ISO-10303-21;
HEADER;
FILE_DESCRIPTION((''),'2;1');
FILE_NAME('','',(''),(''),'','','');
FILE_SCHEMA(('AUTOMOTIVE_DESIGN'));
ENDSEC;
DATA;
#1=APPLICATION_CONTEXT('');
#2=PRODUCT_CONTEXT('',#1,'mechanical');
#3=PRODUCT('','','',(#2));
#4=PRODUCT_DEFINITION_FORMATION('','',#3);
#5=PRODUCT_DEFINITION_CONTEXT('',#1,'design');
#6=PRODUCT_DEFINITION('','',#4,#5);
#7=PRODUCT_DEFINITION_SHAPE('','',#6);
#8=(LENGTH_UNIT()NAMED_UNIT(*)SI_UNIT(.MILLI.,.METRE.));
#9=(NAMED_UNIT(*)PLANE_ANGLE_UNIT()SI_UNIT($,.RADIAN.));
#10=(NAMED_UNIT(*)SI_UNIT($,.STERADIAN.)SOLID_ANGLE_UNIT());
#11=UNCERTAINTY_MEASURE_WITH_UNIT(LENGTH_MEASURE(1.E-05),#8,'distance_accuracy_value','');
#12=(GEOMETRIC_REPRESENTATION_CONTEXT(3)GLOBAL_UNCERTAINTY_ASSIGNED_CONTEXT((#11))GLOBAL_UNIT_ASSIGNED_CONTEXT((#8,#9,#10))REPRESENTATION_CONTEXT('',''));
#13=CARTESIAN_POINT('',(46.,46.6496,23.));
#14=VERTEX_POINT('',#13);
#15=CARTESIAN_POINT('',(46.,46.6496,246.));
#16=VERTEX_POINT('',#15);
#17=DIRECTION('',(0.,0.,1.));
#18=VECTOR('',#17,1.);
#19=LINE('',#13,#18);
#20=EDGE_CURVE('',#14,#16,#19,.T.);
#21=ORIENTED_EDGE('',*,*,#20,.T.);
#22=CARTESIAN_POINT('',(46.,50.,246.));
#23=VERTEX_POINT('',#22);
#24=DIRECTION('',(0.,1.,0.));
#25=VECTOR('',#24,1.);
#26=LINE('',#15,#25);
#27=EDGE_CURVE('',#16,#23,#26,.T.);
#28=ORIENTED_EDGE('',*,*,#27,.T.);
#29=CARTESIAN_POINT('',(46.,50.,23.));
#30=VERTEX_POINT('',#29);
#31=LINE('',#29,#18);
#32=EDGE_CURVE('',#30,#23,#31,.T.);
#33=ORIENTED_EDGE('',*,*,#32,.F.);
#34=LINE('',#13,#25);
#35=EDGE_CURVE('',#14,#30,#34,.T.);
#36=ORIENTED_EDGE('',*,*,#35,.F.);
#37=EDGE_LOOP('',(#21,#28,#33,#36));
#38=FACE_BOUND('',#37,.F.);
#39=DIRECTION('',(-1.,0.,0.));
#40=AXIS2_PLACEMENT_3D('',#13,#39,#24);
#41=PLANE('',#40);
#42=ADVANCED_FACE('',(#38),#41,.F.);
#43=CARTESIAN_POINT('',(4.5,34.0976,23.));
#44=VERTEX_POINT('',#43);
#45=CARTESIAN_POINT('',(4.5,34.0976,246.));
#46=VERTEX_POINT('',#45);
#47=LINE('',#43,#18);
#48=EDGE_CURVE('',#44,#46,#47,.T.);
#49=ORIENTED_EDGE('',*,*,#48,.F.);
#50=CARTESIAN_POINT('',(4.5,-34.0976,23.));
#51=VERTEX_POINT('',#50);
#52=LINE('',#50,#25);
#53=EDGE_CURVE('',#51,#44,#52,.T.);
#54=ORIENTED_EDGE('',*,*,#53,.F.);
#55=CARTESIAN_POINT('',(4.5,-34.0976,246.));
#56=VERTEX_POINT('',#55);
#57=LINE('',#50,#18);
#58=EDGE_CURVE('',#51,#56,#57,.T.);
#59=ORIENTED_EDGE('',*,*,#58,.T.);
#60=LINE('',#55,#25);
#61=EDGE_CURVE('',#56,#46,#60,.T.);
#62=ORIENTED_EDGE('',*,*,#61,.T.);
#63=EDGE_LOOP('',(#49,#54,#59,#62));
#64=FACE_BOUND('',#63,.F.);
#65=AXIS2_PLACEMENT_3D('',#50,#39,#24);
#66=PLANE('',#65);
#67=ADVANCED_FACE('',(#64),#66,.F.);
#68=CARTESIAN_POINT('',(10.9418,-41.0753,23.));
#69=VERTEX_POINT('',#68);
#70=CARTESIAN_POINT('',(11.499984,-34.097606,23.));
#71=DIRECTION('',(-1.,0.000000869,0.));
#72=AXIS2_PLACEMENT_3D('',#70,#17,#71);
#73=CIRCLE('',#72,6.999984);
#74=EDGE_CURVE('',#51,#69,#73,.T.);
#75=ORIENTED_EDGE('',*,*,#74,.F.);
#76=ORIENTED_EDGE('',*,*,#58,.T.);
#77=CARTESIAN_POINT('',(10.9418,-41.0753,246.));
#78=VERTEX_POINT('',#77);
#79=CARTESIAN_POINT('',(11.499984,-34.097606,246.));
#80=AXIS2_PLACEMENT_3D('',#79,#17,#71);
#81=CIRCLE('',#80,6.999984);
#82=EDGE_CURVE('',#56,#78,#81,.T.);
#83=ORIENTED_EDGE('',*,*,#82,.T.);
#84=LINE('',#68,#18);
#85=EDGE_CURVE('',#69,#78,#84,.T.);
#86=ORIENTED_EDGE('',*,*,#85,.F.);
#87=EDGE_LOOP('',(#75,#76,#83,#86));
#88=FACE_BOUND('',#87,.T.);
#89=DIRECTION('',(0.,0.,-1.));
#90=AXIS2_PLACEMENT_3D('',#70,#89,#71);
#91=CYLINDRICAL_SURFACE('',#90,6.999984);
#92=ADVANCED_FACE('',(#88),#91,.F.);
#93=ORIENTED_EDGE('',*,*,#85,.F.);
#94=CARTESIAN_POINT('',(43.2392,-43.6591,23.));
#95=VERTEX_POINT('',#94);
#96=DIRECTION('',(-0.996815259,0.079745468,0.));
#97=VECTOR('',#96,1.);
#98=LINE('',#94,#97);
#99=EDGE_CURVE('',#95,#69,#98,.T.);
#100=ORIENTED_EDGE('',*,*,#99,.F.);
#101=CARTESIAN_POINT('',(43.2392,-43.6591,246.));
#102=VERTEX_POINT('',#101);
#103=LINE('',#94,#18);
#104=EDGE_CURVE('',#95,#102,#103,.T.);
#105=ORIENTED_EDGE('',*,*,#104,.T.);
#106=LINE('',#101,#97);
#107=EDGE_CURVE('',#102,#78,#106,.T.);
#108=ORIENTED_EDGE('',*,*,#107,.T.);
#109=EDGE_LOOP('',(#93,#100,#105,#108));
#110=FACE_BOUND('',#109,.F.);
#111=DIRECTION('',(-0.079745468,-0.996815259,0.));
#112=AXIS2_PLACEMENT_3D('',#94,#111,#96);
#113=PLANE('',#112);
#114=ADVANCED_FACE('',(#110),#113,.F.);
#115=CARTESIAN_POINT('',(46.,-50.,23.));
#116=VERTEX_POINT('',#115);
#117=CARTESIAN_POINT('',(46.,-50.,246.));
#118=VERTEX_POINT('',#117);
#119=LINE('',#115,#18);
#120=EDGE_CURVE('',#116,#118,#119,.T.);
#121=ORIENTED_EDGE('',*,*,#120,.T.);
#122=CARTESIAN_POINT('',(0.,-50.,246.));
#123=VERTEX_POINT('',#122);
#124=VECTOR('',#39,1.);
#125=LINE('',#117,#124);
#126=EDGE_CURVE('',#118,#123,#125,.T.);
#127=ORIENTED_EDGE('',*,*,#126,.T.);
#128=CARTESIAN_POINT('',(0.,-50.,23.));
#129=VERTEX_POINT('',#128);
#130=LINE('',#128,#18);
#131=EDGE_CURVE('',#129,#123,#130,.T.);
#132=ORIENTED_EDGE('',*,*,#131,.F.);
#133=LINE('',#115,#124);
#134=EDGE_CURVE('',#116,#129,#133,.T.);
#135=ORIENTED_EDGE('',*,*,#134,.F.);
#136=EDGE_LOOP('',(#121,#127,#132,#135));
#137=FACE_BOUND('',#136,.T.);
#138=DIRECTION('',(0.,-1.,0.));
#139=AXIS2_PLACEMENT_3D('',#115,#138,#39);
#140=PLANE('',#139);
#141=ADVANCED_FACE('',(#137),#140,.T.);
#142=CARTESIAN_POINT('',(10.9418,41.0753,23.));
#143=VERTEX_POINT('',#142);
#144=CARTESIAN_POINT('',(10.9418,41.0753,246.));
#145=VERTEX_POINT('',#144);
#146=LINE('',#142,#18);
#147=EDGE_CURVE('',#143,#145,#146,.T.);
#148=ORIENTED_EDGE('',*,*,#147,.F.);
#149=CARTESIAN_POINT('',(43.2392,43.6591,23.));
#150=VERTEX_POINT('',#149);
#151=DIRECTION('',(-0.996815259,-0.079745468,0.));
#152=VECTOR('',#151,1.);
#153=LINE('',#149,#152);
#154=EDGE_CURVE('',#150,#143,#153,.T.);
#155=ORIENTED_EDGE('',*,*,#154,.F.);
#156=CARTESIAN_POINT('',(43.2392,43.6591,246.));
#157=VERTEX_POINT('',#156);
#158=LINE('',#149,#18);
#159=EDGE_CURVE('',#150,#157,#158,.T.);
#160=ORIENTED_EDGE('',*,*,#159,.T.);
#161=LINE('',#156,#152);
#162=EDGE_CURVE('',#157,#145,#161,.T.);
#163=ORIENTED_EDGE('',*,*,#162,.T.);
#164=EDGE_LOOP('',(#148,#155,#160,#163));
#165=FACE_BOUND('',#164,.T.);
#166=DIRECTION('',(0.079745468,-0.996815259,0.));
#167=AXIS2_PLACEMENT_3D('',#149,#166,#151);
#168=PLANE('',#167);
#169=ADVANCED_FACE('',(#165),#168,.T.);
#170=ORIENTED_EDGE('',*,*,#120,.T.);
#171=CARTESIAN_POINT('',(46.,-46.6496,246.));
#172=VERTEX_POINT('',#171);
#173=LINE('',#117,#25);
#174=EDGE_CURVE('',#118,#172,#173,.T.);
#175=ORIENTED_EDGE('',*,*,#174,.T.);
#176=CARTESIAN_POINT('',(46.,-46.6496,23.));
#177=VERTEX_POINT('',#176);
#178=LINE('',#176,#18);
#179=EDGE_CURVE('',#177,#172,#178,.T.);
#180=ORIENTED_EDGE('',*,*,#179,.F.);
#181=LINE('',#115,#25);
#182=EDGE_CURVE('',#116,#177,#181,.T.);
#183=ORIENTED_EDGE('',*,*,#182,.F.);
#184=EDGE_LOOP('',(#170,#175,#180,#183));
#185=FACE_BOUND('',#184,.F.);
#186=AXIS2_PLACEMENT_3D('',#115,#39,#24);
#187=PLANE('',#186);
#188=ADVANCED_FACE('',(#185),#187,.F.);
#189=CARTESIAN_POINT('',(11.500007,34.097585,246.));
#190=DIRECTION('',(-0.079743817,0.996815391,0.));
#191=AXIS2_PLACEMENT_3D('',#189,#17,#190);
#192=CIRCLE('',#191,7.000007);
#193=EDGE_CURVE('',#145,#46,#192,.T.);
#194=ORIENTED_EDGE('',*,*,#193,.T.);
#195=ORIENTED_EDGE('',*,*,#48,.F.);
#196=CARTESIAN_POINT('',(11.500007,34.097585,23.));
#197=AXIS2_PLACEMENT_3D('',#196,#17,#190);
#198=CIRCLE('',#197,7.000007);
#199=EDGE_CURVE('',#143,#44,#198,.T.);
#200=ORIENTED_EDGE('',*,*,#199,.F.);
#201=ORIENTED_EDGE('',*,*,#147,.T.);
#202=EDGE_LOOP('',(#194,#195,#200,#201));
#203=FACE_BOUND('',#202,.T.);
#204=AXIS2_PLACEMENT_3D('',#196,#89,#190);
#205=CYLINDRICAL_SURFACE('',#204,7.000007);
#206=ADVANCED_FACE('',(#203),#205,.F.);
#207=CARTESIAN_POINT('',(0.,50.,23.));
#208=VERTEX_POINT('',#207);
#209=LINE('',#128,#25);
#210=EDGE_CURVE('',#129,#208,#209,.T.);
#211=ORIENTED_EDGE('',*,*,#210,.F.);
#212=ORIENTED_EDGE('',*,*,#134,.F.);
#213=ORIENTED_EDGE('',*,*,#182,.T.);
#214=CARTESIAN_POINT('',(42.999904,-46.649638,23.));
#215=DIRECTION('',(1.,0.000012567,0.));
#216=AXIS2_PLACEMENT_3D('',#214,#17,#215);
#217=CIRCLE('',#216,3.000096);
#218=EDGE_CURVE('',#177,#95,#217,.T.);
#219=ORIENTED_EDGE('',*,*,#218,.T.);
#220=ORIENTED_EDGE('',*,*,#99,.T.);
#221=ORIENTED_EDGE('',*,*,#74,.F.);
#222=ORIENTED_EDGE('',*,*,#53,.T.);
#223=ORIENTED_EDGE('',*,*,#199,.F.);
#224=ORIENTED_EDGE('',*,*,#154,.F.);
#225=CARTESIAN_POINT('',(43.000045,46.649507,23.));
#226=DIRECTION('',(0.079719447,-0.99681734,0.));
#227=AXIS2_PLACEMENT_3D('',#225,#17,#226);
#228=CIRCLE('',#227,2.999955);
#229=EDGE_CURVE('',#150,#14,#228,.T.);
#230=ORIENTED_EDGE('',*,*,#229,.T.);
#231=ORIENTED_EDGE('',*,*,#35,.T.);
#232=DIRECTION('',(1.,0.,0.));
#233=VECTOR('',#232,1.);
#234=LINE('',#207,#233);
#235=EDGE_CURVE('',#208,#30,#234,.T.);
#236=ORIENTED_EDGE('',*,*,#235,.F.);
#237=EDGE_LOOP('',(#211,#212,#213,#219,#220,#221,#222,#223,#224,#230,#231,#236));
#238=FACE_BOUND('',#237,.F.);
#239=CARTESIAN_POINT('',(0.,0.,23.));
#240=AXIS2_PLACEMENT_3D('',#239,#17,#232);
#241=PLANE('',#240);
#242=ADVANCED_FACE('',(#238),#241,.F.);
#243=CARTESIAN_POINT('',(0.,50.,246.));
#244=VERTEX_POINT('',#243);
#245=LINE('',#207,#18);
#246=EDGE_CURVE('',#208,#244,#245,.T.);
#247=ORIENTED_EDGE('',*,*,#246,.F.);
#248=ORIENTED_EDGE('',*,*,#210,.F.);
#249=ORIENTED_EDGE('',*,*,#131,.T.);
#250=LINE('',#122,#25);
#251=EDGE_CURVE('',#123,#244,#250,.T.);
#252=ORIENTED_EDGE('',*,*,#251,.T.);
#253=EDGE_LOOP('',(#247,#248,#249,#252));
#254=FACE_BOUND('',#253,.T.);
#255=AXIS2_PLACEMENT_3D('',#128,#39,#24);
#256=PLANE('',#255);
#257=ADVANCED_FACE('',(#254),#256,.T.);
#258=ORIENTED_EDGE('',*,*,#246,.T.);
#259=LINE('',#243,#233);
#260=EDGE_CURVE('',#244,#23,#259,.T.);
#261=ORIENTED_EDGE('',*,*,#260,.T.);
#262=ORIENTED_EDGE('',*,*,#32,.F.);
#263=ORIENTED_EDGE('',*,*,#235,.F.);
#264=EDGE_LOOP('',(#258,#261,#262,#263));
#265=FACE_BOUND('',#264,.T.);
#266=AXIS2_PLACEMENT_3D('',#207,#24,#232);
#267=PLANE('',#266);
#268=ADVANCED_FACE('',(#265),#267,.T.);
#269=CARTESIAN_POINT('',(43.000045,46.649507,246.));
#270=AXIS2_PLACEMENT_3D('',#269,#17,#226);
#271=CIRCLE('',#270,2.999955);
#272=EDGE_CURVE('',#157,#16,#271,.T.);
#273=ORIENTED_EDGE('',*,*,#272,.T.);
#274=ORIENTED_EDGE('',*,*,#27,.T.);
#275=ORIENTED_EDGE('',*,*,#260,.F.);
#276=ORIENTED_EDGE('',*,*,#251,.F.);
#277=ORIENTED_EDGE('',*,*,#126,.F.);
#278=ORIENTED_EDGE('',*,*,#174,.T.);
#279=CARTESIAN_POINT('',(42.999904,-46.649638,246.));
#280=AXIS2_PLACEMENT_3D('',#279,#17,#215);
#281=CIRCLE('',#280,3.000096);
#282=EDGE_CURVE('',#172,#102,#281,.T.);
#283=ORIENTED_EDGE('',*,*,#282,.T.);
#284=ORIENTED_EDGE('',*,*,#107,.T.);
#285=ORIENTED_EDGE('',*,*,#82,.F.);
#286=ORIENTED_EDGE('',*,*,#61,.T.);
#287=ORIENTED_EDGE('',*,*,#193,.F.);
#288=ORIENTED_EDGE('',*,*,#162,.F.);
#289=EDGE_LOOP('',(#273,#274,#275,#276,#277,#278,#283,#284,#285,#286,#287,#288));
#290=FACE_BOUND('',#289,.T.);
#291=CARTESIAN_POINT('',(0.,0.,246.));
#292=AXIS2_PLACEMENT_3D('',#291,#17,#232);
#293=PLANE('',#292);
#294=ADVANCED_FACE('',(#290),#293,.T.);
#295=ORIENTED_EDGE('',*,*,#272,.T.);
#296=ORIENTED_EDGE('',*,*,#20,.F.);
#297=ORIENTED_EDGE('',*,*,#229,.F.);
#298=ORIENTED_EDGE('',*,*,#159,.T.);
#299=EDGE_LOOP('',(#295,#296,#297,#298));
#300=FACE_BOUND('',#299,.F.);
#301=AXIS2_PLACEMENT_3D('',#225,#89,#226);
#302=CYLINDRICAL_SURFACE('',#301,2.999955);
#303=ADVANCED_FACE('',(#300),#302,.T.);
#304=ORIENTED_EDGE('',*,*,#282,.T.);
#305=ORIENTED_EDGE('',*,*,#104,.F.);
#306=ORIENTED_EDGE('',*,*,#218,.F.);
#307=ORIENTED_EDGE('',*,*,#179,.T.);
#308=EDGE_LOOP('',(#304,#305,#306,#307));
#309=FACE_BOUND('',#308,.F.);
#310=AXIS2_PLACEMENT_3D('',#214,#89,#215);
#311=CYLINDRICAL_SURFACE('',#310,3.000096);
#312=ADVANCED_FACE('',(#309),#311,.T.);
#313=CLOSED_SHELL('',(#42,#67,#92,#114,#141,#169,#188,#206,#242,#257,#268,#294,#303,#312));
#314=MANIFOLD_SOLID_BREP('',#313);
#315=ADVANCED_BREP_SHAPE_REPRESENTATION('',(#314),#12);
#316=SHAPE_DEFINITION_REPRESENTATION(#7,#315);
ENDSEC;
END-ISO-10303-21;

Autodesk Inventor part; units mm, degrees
ref_plane "Начальная плоскость" through (0, 0, 23) normal (0, 0, 1) x (1, 0, 0)
ref_plane "Конечная плоскость" through (0, 0, 246) normal (0, 0, 1) x (1, 0, 0)
sketch "Эскиз" plane through (0, 0, 0) normal (0, 0, 1) x (1, 0, 0)
  line L0 (46, -50) -> (0, -50)
  line L1 (46, -50) -> (46, -46.6496)
  line L2 (43.2392, -43.6591) -> (10.9418, -41.0753)
  line L3 (4.5, -34.0976) -> (4.5, 34.0976)
  line L4 (43.2392, 43.6591) -> (10.9418, 41.0753)
  line L5 (46, 46.6496) -> (46, 50)
  line L6 (0, 50) -> (46, 50)
  line L7 (0, -50) -> (0, 50)
  arc A0 (4.5, -34.0976) -> (10.9418, -41.0753) centre (11.5, -34.0976) ccw
  arc A1 (10.9418, 41.0753) -> (4.5, 34.0976) centre (11.5, 34.0976) ccw
  arc A2 (46, -46.6496) -> (43.2392, -43.6591) centre (43, -46.6496) ccw
  arc A3 (43.2392, 43.6591) -> (46, 46.6496) centre (43, 46.6496) ccw
  line L8 (0, 70) -> (0, -70) construction
  line L9 (-9.3169, 0) -> (55.9016, 0) construction
  point P0 (46, -43.88)
  point P1 (4.5, -40.56)
  point P2 (4.5, 40.56)
  point P3 (46, 43.88)
  dimension "d3" = 46
  dimension "d5" = 4.5
  dimension "d7" = 100
  dimension "d9" = 9.44
  dimension "d11" = 9.44
  dimension "d13" = 6.12
  dimension "d15" = 6.12
  dimension "d22" = 7
  dimension "d23" = 3
  dimension "d24" = 50
  dimension "d25" = 0
extrude "Тело" add sketch "Эскиз" along normal up to surface (223 mm away) from surface at 23
sketch "Sketch3" plane through (0, 0, 0) normal (0, 0, 1) x (1, 0, 0)
  line L0 (0, 0) -> (10, 0)
ref_plane "Work Plane7" through (0, 0, 0) normal (0, -1, 0) x (1, 0, 0)
sketch "Sketch4" plane through (0, 0, 0) normal (0, -1, 0) x (1, 0, 0)
  line L0 (-2, 23) -> (12, 23)
  line L1 (-2, 246) -> (12, 246)
  dimension "d29" = 223
ref_plane "РабПлоскость8" through (-258.5, 50, 246) normal (0, 0, 1) x (1, 0, 0)
split "Разделение1" plane through (-258.5, 50, 246) removes the side toward (0, 0, 1)
ref_plane "РабПлоскость9" through (390.5, 50, 23) normal (0, 0, -1) x (-1, 0, 0)
split "Разделение2" plane through (390.5, 50, 23) removes the side toward (0, 0, -1)
equation "\"d3\" = b"
equation "\"d5\" = t1"
equation "\"d7\" = ParH"
equation "\"d9\" = msp_x1 + t2"
equation "\"d11\" = msp_x1 + t2"
equation "\"d13\" = -msp_x2 + t2"
equation "\"d15\" = -msp_x2 + t2"
equation "\"d22\" = R"
equation "\"d23\" = R1"
equation "\"d24\" = 0.5 * d7"
equation "\"d16\" = G_L"
equation "\"R1\" = 3"
equation "\"R\" = 7"
equation "\"t1\" = 4.5"
equation "\"t2\" = 7.6"
equation "\"ParH\" = 100"
equation "\"b\" = 46"
equation "\"msp_x1\" = 0.04 * b"
equation "\"msp_x2\" = -0.08 * t1 + 0.04 * b"
equation "\"G_L\" = d29"
equation "\"ex\" = 0"
equation "\"G_OFFSET_START\" = -23"
equation "\"G_OFFSET_END\" = -23"
equation "\"d26\" = -G_OFFSET_START"
equation "\"d27\" = G_OFFSET_END + B_L"
equation "\"B_L\" = 269"
properties part number "Швеллер 10U-223 ГОСТ 8240-97" material "Сталь, мягкая"
